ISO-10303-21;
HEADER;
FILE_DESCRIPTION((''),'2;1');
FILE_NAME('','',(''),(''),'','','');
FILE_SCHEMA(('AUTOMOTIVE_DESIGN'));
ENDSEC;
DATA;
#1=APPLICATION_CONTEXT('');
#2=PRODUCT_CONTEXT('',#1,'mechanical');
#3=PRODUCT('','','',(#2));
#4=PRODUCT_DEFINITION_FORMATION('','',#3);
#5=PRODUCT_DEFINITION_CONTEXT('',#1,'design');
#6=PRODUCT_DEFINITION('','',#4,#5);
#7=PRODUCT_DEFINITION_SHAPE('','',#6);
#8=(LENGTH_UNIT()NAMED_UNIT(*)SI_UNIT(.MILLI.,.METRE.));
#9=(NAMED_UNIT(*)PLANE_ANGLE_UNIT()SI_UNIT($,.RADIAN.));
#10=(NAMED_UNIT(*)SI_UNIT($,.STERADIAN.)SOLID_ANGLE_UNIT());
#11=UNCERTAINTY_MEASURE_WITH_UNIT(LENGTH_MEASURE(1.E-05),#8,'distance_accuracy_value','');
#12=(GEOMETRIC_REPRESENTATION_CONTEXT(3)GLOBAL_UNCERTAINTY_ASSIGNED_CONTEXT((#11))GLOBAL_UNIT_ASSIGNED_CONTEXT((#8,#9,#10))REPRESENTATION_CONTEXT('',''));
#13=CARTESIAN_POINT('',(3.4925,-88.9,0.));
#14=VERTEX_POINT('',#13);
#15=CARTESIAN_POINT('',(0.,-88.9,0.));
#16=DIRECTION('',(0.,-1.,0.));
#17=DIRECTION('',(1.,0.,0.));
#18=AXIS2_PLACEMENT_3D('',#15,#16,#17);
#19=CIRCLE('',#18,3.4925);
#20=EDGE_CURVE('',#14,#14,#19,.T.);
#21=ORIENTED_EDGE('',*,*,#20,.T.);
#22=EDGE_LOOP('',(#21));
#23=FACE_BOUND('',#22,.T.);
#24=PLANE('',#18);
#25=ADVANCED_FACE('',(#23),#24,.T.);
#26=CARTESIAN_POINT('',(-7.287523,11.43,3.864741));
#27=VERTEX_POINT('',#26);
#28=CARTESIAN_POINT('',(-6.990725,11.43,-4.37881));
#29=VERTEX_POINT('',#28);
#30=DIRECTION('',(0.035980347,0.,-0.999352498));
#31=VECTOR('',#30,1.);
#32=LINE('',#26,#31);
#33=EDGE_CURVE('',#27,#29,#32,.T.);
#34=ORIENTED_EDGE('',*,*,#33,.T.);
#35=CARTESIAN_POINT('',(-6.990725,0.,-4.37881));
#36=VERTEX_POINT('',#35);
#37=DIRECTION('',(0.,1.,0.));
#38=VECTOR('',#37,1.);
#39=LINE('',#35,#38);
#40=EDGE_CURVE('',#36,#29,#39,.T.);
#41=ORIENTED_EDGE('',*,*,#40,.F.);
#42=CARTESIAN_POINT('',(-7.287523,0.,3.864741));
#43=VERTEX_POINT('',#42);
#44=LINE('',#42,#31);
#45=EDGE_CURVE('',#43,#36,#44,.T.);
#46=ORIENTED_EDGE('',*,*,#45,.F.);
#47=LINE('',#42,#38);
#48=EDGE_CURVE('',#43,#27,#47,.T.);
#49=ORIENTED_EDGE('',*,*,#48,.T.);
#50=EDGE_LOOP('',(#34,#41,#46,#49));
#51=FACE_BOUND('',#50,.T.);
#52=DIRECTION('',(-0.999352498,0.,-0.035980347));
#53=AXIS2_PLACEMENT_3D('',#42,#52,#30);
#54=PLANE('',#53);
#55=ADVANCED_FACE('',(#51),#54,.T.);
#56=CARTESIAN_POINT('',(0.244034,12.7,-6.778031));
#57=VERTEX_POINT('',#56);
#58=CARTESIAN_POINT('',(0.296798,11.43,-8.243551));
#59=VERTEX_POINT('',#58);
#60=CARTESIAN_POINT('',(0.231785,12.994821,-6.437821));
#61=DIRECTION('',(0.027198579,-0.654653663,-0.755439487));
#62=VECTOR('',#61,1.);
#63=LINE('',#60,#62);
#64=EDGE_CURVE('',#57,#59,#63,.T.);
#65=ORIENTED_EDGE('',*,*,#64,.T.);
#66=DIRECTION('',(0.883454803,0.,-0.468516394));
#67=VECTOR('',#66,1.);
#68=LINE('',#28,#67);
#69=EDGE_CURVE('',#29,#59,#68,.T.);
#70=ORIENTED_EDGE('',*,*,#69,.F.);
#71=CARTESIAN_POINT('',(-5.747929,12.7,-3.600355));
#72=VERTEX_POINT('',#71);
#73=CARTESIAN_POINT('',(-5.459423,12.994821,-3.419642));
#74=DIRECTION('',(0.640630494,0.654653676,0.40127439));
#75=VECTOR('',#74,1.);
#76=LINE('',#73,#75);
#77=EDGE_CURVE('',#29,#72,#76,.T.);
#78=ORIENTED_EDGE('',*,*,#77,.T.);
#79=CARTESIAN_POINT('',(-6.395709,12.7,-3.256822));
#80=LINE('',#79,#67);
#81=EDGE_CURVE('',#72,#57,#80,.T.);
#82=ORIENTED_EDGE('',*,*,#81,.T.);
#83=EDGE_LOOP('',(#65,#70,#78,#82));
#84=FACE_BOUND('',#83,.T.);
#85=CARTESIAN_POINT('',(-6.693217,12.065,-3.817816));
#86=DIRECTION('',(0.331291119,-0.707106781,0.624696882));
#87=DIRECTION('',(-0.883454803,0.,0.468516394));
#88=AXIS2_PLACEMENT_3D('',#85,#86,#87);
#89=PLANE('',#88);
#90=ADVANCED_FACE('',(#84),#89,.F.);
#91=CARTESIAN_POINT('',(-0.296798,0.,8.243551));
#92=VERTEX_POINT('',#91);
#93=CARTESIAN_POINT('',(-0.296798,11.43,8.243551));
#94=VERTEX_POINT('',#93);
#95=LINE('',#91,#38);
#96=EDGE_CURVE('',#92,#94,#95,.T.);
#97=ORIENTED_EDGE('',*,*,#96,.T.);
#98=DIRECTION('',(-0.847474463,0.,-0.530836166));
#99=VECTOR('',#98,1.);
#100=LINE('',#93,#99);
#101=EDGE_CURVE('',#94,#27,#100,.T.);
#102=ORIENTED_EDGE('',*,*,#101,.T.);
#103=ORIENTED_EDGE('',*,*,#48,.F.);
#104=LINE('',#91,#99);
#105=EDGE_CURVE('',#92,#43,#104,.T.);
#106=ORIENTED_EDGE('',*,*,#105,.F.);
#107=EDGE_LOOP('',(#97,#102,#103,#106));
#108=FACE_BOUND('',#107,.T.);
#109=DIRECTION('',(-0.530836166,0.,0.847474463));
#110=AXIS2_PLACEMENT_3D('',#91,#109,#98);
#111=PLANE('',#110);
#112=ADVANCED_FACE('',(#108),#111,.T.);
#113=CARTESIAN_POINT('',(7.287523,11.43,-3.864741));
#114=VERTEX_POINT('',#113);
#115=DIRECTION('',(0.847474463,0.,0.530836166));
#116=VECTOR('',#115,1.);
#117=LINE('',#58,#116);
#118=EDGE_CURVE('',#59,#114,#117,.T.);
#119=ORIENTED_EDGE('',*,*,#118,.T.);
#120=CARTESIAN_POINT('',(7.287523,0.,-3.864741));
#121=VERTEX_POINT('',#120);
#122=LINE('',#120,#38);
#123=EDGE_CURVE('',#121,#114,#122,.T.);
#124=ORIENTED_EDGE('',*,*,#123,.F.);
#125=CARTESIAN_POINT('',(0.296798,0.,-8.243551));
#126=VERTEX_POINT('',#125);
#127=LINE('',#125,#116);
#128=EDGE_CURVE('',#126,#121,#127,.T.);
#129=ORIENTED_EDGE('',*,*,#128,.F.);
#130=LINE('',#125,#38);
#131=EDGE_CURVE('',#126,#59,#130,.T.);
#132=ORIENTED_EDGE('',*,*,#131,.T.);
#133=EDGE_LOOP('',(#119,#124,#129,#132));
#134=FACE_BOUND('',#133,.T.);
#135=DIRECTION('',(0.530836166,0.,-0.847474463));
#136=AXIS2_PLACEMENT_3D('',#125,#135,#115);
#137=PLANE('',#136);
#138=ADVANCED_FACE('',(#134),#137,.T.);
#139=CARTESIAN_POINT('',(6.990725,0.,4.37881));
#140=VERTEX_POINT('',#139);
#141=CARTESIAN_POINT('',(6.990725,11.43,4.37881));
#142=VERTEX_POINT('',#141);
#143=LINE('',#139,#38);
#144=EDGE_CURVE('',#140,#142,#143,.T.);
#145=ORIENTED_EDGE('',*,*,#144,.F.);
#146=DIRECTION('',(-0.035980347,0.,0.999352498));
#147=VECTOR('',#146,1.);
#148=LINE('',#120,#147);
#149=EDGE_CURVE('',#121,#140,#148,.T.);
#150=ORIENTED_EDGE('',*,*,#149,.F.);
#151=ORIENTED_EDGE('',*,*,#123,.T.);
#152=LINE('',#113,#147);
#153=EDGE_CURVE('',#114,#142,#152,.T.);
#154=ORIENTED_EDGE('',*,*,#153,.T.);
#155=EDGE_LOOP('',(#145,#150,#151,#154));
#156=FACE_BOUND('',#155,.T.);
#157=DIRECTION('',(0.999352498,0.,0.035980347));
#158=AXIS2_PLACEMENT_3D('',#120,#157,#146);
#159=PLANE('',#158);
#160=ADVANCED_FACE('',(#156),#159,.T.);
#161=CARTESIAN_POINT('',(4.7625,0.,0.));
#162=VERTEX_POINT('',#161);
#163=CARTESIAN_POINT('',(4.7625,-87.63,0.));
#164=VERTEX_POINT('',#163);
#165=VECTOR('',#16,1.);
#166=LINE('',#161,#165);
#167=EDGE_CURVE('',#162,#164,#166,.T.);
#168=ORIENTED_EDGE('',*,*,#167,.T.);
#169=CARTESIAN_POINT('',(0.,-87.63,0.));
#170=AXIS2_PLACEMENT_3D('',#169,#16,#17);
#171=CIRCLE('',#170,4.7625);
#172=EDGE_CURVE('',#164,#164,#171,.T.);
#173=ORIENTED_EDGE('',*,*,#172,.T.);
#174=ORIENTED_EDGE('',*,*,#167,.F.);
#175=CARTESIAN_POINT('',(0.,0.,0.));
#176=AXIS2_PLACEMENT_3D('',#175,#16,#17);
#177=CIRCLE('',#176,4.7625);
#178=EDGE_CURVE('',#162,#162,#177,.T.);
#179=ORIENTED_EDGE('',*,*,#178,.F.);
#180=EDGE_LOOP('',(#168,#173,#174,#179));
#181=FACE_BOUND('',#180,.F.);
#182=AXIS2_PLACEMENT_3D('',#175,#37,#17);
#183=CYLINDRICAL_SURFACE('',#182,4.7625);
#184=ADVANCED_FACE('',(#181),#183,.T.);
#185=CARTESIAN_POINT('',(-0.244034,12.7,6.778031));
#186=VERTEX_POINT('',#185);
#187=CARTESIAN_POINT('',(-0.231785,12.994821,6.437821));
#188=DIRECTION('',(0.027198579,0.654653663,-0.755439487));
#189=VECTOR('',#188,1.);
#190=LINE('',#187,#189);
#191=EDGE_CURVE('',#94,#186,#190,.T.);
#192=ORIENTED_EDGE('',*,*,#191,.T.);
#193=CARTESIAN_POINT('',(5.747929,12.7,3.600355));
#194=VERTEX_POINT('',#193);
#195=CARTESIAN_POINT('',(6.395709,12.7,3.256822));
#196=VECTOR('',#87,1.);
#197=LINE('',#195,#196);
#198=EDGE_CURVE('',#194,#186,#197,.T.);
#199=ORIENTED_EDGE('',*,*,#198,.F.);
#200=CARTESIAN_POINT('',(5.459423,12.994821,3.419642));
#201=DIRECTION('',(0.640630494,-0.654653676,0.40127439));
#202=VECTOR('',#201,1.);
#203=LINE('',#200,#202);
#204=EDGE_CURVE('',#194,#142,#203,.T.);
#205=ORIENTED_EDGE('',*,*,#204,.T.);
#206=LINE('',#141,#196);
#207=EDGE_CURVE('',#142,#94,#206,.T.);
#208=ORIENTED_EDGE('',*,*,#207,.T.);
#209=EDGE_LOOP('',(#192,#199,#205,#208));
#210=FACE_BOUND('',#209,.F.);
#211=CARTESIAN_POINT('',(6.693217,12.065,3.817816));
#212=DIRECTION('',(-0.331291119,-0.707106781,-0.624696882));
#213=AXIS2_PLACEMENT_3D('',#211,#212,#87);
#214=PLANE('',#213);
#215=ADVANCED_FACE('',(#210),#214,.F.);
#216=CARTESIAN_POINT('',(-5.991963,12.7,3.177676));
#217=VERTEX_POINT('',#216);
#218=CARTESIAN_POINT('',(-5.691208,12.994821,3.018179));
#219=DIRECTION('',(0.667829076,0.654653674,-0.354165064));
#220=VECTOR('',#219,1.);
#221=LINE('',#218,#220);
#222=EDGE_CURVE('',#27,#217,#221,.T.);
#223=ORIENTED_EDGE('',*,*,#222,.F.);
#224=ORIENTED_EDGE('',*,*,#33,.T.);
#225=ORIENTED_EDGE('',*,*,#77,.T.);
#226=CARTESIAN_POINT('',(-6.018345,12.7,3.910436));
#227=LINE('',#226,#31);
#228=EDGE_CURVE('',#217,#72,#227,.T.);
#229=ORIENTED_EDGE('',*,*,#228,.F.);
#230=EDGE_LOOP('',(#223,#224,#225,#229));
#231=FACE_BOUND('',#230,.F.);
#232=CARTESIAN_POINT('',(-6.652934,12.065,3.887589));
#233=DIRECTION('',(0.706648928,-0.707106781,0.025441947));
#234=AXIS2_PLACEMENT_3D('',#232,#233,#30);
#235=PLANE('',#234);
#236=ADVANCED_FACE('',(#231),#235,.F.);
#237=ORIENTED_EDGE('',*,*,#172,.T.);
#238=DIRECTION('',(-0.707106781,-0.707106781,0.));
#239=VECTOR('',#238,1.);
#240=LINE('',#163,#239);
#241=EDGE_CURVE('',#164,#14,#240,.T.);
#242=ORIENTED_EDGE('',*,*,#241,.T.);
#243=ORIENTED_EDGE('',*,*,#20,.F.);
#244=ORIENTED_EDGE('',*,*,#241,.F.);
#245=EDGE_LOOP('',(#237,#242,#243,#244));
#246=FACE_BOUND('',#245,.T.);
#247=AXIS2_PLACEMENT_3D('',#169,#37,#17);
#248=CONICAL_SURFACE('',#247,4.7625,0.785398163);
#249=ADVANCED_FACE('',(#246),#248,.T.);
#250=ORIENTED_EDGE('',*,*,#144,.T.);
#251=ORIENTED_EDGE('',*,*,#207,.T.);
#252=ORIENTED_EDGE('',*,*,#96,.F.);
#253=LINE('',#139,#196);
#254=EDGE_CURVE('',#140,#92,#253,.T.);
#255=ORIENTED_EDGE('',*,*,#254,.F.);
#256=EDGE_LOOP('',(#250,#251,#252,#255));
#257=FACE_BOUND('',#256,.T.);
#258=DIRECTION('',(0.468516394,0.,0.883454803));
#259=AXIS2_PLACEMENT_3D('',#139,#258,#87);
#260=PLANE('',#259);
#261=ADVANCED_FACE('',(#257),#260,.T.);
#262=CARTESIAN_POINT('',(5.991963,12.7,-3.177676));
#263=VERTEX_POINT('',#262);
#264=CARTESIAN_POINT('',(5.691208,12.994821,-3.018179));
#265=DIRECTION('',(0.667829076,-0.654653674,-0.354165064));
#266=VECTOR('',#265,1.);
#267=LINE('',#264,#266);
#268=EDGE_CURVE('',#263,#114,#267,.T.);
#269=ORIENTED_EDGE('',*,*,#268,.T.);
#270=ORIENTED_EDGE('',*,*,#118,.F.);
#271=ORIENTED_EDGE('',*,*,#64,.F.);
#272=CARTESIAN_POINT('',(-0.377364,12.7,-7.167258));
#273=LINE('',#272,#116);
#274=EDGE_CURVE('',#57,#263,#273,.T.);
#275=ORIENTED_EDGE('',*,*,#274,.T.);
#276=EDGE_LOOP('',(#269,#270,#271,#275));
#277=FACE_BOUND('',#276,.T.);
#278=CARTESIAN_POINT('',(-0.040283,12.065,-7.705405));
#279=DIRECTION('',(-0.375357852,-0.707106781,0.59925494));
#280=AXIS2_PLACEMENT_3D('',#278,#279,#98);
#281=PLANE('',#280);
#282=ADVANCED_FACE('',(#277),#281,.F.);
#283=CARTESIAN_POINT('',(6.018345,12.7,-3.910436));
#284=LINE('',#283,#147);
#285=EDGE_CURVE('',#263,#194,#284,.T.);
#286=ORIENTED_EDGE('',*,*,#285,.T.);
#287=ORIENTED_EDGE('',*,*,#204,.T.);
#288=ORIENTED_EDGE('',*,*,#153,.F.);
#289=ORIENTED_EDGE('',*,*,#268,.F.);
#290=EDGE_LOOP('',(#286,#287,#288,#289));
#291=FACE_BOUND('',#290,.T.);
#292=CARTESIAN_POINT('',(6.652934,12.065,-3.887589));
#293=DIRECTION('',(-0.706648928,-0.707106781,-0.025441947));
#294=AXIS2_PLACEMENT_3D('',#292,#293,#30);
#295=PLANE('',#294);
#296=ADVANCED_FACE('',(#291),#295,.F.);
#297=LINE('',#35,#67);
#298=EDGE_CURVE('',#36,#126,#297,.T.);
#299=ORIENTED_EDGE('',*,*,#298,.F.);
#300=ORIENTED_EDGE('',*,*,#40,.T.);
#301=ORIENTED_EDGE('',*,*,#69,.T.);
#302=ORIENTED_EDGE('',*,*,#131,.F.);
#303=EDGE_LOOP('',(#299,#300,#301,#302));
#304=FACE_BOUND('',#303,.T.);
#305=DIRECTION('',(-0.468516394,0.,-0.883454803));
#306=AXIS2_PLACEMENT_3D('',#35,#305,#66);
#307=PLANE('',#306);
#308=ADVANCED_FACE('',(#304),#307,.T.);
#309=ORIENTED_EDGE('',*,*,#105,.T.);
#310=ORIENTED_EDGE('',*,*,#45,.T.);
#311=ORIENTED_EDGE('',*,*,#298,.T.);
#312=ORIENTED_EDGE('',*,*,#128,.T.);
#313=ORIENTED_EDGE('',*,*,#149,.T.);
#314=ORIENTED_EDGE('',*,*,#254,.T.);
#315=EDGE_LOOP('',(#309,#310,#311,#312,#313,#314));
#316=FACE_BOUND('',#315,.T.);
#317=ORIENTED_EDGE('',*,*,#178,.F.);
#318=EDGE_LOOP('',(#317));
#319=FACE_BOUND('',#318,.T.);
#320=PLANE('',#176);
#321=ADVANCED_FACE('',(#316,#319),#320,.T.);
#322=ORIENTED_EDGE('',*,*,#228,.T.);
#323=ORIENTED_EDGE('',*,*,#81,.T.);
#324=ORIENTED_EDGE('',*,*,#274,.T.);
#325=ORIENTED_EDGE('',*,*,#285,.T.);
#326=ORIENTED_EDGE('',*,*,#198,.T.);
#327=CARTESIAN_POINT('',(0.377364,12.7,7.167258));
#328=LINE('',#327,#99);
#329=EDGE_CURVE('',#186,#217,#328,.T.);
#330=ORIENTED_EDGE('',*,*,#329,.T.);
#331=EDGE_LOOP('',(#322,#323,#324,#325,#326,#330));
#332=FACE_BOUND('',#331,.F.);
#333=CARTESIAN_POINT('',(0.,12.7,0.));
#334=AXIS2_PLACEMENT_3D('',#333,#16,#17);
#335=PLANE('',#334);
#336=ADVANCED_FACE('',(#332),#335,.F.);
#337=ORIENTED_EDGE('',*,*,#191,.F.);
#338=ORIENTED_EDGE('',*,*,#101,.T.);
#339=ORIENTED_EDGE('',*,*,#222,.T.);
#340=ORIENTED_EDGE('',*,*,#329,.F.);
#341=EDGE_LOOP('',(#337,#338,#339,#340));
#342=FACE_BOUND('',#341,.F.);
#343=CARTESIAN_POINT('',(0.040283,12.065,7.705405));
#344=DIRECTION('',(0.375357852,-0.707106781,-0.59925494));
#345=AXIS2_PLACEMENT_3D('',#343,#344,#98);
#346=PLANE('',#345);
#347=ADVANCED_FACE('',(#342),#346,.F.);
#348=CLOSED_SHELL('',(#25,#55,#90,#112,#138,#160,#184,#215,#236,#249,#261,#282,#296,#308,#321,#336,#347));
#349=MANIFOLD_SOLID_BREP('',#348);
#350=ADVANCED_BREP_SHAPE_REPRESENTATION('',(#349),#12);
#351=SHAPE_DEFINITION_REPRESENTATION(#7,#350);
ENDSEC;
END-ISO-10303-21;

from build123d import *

# Parameters (mm, degrees)
F1_DEPTH = 12.7
F2_R     = 4.7625
F3_DEPTH = 88.9
F4_SIZE  = 1.27


with BuildPart() as f1:
    # F0 (on Front) → F1 (new body)
    with BuildSketch(Plane.XZ):
        Polygon((-0.296798, 8.243551), (-7.287523, 3.864741), (-6.990725, -4.37881), (0.296798, -8.243551), (7.287523, -3.864741), (6.990725, 4.37881), align=None)
    extrude(amount=-F1_DEPTH)

    # F2 (on Front) → F3 (join)
    with BuildSketch(Plane.XZ):
        Circle(F2_R)
    extrude(amount=F3_DEPTH)

    # F4
    f4_edges = [f1.edges().sort_by_distance(p)[0] for p in [
        (-4.7625, -88.9, 0),
        (-7.139124, 12.7, -0.257035),
        (-3.346964, 12.7, -6.31118),
        (3.792161, 12.7, -6.054146),
        (7.139124, 12.7, 0.257035),
        (3.346964, 12.7, 6.31118),
        (-3.792161, 12.7, 6.054146),
    ]]
    chamfer(f4_edges, length=F4_SIZE)


solid = f1.part
